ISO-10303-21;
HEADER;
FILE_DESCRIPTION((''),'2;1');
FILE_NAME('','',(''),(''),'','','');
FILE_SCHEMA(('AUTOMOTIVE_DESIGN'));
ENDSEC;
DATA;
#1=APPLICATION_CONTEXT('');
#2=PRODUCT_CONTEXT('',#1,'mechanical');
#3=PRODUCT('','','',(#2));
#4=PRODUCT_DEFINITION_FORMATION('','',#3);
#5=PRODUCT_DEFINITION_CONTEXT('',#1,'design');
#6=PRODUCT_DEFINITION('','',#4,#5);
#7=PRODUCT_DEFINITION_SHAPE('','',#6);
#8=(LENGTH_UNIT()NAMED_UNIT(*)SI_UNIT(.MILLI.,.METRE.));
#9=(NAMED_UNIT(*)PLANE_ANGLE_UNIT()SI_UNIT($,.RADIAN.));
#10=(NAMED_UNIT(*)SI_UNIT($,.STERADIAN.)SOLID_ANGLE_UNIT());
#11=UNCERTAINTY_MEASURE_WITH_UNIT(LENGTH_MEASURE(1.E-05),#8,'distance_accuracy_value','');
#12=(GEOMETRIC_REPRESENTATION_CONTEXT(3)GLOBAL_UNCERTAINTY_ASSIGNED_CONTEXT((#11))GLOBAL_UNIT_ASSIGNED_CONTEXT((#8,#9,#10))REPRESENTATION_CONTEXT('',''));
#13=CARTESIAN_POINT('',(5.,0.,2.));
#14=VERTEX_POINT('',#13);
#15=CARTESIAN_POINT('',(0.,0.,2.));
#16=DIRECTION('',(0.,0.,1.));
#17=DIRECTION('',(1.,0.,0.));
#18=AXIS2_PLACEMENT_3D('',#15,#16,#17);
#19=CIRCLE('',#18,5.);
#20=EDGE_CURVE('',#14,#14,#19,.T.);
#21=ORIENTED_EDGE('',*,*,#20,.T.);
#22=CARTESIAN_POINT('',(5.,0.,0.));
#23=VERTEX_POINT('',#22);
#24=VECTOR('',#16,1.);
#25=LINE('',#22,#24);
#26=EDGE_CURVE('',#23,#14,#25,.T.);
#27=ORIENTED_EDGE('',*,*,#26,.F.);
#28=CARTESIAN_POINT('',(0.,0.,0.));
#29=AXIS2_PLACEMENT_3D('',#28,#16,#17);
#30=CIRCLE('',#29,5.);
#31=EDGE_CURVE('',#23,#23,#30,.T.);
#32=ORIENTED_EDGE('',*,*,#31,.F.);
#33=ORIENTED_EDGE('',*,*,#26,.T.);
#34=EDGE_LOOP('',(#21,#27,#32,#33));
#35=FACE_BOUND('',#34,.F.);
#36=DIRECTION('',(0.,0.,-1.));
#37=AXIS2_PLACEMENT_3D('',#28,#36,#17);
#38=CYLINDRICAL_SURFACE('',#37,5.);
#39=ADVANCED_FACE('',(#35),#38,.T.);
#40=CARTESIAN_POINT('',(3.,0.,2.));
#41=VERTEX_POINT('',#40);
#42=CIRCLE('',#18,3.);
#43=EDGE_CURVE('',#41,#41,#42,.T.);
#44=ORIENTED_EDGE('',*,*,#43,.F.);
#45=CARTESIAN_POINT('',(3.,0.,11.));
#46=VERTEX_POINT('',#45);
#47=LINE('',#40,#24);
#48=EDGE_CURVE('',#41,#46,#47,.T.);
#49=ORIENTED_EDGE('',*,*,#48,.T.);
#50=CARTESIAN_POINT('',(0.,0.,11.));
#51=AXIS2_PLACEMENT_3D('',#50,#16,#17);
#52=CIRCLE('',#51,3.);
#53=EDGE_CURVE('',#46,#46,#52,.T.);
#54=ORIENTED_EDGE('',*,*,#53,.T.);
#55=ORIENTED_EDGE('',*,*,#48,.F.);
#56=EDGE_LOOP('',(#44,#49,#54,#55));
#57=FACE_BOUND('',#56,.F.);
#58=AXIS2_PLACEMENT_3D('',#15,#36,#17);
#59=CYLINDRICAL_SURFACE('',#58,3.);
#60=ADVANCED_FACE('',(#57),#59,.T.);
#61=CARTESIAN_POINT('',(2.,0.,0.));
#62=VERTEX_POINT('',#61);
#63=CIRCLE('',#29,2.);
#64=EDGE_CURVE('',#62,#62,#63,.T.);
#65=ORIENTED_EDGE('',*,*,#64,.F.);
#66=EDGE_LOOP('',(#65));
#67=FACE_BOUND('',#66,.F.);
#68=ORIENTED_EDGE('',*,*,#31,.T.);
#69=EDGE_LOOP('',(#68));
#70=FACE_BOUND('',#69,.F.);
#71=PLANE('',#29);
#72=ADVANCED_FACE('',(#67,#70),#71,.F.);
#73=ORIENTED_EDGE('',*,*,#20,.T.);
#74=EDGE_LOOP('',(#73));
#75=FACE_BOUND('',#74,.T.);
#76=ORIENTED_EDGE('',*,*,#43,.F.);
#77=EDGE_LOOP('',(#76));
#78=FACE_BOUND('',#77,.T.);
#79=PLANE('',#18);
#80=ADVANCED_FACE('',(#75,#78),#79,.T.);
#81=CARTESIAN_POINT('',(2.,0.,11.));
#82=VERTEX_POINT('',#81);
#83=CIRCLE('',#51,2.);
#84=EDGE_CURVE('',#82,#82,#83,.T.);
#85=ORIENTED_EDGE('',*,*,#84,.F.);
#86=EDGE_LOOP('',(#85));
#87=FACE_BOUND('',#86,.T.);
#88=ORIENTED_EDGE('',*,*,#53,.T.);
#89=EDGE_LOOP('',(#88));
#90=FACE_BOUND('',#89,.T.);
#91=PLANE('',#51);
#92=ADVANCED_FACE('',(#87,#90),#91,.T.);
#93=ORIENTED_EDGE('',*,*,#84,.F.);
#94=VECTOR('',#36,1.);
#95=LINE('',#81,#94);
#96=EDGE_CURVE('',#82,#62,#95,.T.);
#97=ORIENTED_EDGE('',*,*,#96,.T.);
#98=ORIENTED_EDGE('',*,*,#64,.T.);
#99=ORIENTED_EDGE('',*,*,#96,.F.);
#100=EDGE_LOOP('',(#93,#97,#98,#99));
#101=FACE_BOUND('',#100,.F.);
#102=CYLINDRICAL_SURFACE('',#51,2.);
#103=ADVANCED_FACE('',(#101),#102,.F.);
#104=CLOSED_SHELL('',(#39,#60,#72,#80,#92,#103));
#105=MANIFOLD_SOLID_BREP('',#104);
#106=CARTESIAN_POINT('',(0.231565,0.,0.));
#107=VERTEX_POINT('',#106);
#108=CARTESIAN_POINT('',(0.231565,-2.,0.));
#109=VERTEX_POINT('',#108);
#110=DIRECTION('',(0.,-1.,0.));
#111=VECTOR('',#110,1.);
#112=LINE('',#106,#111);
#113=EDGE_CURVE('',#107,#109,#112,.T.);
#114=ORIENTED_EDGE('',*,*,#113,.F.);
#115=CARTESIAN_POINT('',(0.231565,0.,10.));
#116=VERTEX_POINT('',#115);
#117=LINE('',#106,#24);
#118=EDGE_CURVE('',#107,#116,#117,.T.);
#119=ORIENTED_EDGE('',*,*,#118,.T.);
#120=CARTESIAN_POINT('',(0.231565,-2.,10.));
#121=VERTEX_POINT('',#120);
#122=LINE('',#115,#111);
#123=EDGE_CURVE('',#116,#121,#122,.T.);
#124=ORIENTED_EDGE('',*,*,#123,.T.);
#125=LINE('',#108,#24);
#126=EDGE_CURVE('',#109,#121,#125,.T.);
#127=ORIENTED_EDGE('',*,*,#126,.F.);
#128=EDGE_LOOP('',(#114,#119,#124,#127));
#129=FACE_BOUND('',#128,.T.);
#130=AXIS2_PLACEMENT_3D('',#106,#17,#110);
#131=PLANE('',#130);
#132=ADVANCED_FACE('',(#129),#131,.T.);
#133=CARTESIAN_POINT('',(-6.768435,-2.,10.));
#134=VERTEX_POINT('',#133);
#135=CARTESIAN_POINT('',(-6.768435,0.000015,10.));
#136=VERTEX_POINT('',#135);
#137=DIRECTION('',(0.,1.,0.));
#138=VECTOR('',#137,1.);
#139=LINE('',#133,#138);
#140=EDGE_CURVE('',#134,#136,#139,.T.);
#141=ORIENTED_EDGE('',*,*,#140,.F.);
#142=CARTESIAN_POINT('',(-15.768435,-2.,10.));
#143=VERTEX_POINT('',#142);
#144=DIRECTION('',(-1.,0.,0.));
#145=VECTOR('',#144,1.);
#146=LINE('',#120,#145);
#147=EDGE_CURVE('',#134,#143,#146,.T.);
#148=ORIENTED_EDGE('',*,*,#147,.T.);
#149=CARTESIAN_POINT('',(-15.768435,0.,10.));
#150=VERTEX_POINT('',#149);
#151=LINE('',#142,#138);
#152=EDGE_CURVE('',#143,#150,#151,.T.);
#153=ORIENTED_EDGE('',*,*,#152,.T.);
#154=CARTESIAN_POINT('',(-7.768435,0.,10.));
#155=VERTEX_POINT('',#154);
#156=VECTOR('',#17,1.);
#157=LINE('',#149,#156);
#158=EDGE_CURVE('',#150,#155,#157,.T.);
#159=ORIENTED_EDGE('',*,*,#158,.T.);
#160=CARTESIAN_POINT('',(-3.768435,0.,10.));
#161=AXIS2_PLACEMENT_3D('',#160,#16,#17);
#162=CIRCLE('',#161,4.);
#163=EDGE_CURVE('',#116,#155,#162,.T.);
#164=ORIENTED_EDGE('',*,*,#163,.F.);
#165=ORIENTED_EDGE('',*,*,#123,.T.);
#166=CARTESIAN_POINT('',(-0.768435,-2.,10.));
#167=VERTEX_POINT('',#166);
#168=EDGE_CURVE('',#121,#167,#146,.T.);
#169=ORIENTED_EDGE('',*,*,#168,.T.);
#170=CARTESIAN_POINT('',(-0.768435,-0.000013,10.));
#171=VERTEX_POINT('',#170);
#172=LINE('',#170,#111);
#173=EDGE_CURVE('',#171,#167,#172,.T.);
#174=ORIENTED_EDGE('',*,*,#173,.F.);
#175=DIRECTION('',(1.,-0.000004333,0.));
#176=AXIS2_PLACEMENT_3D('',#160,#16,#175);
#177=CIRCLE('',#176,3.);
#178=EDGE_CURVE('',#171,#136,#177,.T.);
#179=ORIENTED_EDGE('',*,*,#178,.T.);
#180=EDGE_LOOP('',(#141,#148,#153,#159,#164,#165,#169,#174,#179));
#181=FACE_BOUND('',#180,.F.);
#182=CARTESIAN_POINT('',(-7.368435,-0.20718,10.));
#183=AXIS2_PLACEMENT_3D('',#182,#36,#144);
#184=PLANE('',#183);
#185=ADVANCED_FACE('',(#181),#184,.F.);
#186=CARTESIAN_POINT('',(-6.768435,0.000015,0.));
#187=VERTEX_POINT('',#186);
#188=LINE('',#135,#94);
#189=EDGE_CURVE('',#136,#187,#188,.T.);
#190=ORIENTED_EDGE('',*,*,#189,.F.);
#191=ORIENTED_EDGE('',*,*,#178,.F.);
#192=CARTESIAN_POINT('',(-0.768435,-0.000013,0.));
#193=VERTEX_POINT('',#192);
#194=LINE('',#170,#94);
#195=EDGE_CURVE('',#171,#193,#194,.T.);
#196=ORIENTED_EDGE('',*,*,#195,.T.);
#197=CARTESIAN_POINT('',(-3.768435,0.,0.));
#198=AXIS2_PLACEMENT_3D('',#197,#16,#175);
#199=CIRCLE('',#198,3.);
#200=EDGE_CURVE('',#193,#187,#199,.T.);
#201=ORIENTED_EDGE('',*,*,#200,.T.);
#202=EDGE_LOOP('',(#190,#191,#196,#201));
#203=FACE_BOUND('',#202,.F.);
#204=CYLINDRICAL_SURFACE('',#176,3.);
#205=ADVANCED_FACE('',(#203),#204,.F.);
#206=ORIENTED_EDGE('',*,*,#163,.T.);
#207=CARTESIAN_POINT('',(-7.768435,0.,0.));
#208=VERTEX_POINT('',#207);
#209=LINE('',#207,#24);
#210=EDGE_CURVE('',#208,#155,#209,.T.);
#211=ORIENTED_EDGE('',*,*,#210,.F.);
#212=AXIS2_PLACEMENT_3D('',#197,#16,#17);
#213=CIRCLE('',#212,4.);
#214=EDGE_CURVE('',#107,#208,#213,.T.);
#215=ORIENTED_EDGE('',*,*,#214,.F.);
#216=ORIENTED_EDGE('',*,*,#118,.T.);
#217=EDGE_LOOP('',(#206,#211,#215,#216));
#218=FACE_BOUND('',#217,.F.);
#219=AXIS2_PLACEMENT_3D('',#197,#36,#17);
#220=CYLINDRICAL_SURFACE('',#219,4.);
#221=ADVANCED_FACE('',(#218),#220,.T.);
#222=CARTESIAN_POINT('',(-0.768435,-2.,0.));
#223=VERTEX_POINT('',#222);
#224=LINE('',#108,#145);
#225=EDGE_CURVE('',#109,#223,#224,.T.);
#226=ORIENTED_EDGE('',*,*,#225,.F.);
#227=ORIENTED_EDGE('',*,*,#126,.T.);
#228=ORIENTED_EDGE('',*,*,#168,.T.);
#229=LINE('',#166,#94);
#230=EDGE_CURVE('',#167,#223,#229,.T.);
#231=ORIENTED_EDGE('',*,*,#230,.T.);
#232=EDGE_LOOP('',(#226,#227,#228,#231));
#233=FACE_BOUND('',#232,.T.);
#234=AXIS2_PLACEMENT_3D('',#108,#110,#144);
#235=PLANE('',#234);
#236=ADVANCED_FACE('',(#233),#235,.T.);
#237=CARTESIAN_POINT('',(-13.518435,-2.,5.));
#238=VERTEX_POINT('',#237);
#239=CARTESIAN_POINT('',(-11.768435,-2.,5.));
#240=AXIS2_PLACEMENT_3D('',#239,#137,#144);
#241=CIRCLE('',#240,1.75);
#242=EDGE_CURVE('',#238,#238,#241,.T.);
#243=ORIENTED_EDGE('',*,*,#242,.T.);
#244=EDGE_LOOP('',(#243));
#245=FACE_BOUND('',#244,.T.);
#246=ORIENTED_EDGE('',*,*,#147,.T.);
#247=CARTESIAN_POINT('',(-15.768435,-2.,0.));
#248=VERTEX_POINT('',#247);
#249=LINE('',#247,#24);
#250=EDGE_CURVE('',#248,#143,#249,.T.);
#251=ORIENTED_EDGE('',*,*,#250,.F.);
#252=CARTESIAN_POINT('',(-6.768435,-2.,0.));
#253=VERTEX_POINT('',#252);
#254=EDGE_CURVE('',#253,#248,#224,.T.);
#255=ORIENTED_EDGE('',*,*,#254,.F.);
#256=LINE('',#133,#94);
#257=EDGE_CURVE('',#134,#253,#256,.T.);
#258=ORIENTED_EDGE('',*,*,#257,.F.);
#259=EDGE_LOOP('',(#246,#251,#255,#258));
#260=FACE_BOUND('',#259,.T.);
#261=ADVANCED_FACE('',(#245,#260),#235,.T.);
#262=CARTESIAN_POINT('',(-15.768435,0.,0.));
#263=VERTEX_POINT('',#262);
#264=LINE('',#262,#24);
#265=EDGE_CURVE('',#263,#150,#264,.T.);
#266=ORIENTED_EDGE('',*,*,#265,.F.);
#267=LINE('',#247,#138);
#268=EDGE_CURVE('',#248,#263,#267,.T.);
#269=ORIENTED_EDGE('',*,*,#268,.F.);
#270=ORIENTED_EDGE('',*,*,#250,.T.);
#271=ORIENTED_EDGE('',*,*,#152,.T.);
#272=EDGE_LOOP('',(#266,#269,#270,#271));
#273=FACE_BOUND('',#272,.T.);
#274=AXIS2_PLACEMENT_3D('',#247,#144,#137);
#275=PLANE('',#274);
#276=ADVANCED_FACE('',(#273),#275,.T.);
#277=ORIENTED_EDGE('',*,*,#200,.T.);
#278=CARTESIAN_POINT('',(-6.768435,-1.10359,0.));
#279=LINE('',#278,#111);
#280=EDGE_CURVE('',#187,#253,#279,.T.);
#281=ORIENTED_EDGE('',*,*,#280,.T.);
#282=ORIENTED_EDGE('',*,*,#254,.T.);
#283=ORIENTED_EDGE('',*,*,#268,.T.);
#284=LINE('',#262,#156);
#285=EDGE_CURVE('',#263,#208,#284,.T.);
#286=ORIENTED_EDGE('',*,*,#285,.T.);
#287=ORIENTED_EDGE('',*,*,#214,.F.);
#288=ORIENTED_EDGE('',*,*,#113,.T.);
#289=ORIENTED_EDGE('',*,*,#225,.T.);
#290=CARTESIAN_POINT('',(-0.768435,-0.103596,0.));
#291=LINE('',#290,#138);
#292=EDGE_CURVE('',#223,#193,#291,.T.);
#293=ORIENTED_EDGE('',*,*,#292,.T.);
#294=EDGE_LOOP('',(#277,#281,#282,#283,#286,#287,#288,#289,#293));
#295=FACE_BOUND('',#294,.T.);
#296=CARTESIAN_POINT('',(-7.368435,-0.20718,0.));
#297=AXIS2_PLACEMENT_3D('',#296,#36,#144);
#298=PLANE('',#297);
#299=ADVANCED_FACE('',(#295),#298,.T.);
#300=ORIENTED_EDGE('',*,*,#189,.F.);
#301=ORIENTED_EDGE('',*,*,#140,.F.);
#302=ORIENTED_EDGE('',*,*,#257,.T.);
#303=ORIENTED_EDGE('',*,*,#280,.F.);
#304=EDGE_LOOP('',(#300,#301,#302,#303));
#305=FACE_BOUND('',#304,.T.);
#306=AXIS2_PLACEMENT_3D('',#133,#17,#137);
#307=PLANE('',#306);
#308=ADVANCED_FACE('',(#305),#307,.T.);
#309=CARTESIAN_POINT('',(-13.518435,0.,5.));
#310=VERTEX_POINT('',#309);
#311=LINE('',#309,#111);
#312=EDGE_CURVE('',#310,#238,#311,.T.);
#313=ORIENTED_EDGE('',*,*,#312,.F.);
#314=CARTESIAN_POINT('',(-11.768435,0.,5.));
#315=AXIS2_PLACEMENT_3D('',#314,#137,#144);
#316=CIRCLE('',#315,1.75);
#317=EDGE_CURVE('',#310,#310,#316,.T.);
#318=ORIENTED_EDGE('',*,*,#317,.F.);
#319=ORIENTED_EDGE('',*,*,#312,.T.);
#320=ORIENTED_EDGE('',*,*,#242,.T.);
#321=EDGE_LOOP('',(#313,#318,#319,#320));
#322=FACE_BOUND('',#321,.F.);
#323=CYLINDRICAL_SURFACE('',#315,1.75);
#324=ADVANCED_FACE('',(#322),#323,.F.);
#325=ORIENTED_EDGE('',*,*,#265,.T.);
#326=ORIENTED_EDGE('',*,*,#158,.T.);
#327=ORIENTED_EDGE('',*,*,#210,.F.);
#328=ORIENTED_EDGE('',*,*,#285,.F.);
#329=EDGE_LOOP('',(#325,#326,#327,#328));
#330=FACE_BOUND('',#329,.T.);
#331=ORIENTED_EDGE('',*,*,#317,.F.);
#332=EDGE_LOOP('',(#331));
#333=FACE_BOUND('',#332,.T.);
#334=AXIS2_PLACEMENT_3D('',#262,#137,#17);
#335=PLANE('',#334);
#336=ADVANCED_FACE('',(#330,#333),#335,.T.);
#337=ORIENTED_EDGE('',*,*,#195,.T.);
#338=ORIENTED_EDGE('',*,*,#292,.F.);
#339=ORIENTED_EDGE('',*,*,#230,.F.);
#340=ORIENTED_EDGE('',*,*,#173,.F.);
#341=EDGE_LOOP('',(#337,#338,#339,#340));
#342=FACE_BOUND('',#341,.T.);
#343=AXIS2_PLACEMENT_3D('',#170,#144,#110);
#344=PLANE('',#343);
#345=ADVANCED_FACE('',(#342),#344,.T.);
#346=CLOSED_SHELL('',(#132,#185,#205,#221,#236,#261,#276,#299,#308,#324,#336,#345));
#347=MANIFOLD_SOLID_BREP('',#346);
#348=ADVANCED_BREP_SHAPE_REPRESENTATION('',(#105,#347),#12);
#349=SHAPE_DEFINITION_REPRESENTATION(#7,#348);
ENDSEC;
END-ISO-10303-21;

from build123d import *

# Parameters (mm, degrees)
SKETCH_R        = 5
PAD_DEPTH       = 2
SKETCH001_R     = 3
PAD001_DEPTH    = 9
SKETCH002_R     = 2
POCKET_DEPTH    = 11.001
PAD002_DEPTH    = 10
POCKET001_DEPTH = 10.001
SKETCH005_R     = 1.75
POCKET002_DEPTH = 2.001


with BuildPart() as body:
    # Sketch → Pad (new body)
    with BuildSketch(Plane.XY):
        Circle(SKETCH_R)
    extrude(amount=PAD_DEPTH)

    # Sketch001 (on Face3 of Pad) → Pad001 (join)
    with BuildSketch(Plane.XY.offset(2)):
        Circle(SKETCH001_R)
    extrude(amount=PAD001_DEPTH)

    # Sketch002 (on Face5 of Pad001) → Pocket (cut, through all)
    with BuildSketch(Plane.XY.offset(11)):
        Circle(SKETCH002_R)
    extrude(amount=-POCKET_DEPTH, mode=Mode.SUBTRACT)


with BuildPart() as body001:
    # Sketch003 → Pad002 (new body)
    with BuildSketch(Plane.XY):
        with BuildLine():
            Line((-15.768435, 0), (-7.768435, 0))
            ThreePointArc((0.231565, 0), (-3.768435, 4), (-7.768435, 0))
            Line((0.231565, 0), (0.231565, -2))
            Line((0.231565, -2), (-15.768435, -2))
            Line((-15.768435, -2), (-15.768435, 0))
        make_face()
    extrude(amount=PAD002_DEPTH)

    # Sketch004 (on Face7 of Pad002) → Pocket001 (cut, through all)
    with BuildSketch(Plane.XY.offset(10)):
        with BuildLine():
            ThreePointArc((-0.768435, -1.3e-05), (-3.768421, 3), (-6.768435, 1.5e-05))
            Line((-6.768435, -2), (-6.768435, 1.5e-05))
            Line((-0.768435, -2), (-6.768435, -2))
            Line((-0.768435, -1.3e-05), (-0.768435, -2))
        make_face()
    extrude(amount=-POCKET001_DEPTH, mode=Mode.SUBTRACT)

    # Sketch005 (on Face1 of Pocket001) → Pocket002 (cut, through all)
    with BuildSketch(Plane(origin=(0, 0, 0), x_dir=(-1, 0, 0), z_dir=(0, 1, 0))):
        with Locations((11.768435, 5)):
            Circle(SKETCH005_R)
    extrude(amount=-POCKET002_DEPTH, mode=Mode.SUBTRACT)


solid = Compound([body.part, body001.part])
